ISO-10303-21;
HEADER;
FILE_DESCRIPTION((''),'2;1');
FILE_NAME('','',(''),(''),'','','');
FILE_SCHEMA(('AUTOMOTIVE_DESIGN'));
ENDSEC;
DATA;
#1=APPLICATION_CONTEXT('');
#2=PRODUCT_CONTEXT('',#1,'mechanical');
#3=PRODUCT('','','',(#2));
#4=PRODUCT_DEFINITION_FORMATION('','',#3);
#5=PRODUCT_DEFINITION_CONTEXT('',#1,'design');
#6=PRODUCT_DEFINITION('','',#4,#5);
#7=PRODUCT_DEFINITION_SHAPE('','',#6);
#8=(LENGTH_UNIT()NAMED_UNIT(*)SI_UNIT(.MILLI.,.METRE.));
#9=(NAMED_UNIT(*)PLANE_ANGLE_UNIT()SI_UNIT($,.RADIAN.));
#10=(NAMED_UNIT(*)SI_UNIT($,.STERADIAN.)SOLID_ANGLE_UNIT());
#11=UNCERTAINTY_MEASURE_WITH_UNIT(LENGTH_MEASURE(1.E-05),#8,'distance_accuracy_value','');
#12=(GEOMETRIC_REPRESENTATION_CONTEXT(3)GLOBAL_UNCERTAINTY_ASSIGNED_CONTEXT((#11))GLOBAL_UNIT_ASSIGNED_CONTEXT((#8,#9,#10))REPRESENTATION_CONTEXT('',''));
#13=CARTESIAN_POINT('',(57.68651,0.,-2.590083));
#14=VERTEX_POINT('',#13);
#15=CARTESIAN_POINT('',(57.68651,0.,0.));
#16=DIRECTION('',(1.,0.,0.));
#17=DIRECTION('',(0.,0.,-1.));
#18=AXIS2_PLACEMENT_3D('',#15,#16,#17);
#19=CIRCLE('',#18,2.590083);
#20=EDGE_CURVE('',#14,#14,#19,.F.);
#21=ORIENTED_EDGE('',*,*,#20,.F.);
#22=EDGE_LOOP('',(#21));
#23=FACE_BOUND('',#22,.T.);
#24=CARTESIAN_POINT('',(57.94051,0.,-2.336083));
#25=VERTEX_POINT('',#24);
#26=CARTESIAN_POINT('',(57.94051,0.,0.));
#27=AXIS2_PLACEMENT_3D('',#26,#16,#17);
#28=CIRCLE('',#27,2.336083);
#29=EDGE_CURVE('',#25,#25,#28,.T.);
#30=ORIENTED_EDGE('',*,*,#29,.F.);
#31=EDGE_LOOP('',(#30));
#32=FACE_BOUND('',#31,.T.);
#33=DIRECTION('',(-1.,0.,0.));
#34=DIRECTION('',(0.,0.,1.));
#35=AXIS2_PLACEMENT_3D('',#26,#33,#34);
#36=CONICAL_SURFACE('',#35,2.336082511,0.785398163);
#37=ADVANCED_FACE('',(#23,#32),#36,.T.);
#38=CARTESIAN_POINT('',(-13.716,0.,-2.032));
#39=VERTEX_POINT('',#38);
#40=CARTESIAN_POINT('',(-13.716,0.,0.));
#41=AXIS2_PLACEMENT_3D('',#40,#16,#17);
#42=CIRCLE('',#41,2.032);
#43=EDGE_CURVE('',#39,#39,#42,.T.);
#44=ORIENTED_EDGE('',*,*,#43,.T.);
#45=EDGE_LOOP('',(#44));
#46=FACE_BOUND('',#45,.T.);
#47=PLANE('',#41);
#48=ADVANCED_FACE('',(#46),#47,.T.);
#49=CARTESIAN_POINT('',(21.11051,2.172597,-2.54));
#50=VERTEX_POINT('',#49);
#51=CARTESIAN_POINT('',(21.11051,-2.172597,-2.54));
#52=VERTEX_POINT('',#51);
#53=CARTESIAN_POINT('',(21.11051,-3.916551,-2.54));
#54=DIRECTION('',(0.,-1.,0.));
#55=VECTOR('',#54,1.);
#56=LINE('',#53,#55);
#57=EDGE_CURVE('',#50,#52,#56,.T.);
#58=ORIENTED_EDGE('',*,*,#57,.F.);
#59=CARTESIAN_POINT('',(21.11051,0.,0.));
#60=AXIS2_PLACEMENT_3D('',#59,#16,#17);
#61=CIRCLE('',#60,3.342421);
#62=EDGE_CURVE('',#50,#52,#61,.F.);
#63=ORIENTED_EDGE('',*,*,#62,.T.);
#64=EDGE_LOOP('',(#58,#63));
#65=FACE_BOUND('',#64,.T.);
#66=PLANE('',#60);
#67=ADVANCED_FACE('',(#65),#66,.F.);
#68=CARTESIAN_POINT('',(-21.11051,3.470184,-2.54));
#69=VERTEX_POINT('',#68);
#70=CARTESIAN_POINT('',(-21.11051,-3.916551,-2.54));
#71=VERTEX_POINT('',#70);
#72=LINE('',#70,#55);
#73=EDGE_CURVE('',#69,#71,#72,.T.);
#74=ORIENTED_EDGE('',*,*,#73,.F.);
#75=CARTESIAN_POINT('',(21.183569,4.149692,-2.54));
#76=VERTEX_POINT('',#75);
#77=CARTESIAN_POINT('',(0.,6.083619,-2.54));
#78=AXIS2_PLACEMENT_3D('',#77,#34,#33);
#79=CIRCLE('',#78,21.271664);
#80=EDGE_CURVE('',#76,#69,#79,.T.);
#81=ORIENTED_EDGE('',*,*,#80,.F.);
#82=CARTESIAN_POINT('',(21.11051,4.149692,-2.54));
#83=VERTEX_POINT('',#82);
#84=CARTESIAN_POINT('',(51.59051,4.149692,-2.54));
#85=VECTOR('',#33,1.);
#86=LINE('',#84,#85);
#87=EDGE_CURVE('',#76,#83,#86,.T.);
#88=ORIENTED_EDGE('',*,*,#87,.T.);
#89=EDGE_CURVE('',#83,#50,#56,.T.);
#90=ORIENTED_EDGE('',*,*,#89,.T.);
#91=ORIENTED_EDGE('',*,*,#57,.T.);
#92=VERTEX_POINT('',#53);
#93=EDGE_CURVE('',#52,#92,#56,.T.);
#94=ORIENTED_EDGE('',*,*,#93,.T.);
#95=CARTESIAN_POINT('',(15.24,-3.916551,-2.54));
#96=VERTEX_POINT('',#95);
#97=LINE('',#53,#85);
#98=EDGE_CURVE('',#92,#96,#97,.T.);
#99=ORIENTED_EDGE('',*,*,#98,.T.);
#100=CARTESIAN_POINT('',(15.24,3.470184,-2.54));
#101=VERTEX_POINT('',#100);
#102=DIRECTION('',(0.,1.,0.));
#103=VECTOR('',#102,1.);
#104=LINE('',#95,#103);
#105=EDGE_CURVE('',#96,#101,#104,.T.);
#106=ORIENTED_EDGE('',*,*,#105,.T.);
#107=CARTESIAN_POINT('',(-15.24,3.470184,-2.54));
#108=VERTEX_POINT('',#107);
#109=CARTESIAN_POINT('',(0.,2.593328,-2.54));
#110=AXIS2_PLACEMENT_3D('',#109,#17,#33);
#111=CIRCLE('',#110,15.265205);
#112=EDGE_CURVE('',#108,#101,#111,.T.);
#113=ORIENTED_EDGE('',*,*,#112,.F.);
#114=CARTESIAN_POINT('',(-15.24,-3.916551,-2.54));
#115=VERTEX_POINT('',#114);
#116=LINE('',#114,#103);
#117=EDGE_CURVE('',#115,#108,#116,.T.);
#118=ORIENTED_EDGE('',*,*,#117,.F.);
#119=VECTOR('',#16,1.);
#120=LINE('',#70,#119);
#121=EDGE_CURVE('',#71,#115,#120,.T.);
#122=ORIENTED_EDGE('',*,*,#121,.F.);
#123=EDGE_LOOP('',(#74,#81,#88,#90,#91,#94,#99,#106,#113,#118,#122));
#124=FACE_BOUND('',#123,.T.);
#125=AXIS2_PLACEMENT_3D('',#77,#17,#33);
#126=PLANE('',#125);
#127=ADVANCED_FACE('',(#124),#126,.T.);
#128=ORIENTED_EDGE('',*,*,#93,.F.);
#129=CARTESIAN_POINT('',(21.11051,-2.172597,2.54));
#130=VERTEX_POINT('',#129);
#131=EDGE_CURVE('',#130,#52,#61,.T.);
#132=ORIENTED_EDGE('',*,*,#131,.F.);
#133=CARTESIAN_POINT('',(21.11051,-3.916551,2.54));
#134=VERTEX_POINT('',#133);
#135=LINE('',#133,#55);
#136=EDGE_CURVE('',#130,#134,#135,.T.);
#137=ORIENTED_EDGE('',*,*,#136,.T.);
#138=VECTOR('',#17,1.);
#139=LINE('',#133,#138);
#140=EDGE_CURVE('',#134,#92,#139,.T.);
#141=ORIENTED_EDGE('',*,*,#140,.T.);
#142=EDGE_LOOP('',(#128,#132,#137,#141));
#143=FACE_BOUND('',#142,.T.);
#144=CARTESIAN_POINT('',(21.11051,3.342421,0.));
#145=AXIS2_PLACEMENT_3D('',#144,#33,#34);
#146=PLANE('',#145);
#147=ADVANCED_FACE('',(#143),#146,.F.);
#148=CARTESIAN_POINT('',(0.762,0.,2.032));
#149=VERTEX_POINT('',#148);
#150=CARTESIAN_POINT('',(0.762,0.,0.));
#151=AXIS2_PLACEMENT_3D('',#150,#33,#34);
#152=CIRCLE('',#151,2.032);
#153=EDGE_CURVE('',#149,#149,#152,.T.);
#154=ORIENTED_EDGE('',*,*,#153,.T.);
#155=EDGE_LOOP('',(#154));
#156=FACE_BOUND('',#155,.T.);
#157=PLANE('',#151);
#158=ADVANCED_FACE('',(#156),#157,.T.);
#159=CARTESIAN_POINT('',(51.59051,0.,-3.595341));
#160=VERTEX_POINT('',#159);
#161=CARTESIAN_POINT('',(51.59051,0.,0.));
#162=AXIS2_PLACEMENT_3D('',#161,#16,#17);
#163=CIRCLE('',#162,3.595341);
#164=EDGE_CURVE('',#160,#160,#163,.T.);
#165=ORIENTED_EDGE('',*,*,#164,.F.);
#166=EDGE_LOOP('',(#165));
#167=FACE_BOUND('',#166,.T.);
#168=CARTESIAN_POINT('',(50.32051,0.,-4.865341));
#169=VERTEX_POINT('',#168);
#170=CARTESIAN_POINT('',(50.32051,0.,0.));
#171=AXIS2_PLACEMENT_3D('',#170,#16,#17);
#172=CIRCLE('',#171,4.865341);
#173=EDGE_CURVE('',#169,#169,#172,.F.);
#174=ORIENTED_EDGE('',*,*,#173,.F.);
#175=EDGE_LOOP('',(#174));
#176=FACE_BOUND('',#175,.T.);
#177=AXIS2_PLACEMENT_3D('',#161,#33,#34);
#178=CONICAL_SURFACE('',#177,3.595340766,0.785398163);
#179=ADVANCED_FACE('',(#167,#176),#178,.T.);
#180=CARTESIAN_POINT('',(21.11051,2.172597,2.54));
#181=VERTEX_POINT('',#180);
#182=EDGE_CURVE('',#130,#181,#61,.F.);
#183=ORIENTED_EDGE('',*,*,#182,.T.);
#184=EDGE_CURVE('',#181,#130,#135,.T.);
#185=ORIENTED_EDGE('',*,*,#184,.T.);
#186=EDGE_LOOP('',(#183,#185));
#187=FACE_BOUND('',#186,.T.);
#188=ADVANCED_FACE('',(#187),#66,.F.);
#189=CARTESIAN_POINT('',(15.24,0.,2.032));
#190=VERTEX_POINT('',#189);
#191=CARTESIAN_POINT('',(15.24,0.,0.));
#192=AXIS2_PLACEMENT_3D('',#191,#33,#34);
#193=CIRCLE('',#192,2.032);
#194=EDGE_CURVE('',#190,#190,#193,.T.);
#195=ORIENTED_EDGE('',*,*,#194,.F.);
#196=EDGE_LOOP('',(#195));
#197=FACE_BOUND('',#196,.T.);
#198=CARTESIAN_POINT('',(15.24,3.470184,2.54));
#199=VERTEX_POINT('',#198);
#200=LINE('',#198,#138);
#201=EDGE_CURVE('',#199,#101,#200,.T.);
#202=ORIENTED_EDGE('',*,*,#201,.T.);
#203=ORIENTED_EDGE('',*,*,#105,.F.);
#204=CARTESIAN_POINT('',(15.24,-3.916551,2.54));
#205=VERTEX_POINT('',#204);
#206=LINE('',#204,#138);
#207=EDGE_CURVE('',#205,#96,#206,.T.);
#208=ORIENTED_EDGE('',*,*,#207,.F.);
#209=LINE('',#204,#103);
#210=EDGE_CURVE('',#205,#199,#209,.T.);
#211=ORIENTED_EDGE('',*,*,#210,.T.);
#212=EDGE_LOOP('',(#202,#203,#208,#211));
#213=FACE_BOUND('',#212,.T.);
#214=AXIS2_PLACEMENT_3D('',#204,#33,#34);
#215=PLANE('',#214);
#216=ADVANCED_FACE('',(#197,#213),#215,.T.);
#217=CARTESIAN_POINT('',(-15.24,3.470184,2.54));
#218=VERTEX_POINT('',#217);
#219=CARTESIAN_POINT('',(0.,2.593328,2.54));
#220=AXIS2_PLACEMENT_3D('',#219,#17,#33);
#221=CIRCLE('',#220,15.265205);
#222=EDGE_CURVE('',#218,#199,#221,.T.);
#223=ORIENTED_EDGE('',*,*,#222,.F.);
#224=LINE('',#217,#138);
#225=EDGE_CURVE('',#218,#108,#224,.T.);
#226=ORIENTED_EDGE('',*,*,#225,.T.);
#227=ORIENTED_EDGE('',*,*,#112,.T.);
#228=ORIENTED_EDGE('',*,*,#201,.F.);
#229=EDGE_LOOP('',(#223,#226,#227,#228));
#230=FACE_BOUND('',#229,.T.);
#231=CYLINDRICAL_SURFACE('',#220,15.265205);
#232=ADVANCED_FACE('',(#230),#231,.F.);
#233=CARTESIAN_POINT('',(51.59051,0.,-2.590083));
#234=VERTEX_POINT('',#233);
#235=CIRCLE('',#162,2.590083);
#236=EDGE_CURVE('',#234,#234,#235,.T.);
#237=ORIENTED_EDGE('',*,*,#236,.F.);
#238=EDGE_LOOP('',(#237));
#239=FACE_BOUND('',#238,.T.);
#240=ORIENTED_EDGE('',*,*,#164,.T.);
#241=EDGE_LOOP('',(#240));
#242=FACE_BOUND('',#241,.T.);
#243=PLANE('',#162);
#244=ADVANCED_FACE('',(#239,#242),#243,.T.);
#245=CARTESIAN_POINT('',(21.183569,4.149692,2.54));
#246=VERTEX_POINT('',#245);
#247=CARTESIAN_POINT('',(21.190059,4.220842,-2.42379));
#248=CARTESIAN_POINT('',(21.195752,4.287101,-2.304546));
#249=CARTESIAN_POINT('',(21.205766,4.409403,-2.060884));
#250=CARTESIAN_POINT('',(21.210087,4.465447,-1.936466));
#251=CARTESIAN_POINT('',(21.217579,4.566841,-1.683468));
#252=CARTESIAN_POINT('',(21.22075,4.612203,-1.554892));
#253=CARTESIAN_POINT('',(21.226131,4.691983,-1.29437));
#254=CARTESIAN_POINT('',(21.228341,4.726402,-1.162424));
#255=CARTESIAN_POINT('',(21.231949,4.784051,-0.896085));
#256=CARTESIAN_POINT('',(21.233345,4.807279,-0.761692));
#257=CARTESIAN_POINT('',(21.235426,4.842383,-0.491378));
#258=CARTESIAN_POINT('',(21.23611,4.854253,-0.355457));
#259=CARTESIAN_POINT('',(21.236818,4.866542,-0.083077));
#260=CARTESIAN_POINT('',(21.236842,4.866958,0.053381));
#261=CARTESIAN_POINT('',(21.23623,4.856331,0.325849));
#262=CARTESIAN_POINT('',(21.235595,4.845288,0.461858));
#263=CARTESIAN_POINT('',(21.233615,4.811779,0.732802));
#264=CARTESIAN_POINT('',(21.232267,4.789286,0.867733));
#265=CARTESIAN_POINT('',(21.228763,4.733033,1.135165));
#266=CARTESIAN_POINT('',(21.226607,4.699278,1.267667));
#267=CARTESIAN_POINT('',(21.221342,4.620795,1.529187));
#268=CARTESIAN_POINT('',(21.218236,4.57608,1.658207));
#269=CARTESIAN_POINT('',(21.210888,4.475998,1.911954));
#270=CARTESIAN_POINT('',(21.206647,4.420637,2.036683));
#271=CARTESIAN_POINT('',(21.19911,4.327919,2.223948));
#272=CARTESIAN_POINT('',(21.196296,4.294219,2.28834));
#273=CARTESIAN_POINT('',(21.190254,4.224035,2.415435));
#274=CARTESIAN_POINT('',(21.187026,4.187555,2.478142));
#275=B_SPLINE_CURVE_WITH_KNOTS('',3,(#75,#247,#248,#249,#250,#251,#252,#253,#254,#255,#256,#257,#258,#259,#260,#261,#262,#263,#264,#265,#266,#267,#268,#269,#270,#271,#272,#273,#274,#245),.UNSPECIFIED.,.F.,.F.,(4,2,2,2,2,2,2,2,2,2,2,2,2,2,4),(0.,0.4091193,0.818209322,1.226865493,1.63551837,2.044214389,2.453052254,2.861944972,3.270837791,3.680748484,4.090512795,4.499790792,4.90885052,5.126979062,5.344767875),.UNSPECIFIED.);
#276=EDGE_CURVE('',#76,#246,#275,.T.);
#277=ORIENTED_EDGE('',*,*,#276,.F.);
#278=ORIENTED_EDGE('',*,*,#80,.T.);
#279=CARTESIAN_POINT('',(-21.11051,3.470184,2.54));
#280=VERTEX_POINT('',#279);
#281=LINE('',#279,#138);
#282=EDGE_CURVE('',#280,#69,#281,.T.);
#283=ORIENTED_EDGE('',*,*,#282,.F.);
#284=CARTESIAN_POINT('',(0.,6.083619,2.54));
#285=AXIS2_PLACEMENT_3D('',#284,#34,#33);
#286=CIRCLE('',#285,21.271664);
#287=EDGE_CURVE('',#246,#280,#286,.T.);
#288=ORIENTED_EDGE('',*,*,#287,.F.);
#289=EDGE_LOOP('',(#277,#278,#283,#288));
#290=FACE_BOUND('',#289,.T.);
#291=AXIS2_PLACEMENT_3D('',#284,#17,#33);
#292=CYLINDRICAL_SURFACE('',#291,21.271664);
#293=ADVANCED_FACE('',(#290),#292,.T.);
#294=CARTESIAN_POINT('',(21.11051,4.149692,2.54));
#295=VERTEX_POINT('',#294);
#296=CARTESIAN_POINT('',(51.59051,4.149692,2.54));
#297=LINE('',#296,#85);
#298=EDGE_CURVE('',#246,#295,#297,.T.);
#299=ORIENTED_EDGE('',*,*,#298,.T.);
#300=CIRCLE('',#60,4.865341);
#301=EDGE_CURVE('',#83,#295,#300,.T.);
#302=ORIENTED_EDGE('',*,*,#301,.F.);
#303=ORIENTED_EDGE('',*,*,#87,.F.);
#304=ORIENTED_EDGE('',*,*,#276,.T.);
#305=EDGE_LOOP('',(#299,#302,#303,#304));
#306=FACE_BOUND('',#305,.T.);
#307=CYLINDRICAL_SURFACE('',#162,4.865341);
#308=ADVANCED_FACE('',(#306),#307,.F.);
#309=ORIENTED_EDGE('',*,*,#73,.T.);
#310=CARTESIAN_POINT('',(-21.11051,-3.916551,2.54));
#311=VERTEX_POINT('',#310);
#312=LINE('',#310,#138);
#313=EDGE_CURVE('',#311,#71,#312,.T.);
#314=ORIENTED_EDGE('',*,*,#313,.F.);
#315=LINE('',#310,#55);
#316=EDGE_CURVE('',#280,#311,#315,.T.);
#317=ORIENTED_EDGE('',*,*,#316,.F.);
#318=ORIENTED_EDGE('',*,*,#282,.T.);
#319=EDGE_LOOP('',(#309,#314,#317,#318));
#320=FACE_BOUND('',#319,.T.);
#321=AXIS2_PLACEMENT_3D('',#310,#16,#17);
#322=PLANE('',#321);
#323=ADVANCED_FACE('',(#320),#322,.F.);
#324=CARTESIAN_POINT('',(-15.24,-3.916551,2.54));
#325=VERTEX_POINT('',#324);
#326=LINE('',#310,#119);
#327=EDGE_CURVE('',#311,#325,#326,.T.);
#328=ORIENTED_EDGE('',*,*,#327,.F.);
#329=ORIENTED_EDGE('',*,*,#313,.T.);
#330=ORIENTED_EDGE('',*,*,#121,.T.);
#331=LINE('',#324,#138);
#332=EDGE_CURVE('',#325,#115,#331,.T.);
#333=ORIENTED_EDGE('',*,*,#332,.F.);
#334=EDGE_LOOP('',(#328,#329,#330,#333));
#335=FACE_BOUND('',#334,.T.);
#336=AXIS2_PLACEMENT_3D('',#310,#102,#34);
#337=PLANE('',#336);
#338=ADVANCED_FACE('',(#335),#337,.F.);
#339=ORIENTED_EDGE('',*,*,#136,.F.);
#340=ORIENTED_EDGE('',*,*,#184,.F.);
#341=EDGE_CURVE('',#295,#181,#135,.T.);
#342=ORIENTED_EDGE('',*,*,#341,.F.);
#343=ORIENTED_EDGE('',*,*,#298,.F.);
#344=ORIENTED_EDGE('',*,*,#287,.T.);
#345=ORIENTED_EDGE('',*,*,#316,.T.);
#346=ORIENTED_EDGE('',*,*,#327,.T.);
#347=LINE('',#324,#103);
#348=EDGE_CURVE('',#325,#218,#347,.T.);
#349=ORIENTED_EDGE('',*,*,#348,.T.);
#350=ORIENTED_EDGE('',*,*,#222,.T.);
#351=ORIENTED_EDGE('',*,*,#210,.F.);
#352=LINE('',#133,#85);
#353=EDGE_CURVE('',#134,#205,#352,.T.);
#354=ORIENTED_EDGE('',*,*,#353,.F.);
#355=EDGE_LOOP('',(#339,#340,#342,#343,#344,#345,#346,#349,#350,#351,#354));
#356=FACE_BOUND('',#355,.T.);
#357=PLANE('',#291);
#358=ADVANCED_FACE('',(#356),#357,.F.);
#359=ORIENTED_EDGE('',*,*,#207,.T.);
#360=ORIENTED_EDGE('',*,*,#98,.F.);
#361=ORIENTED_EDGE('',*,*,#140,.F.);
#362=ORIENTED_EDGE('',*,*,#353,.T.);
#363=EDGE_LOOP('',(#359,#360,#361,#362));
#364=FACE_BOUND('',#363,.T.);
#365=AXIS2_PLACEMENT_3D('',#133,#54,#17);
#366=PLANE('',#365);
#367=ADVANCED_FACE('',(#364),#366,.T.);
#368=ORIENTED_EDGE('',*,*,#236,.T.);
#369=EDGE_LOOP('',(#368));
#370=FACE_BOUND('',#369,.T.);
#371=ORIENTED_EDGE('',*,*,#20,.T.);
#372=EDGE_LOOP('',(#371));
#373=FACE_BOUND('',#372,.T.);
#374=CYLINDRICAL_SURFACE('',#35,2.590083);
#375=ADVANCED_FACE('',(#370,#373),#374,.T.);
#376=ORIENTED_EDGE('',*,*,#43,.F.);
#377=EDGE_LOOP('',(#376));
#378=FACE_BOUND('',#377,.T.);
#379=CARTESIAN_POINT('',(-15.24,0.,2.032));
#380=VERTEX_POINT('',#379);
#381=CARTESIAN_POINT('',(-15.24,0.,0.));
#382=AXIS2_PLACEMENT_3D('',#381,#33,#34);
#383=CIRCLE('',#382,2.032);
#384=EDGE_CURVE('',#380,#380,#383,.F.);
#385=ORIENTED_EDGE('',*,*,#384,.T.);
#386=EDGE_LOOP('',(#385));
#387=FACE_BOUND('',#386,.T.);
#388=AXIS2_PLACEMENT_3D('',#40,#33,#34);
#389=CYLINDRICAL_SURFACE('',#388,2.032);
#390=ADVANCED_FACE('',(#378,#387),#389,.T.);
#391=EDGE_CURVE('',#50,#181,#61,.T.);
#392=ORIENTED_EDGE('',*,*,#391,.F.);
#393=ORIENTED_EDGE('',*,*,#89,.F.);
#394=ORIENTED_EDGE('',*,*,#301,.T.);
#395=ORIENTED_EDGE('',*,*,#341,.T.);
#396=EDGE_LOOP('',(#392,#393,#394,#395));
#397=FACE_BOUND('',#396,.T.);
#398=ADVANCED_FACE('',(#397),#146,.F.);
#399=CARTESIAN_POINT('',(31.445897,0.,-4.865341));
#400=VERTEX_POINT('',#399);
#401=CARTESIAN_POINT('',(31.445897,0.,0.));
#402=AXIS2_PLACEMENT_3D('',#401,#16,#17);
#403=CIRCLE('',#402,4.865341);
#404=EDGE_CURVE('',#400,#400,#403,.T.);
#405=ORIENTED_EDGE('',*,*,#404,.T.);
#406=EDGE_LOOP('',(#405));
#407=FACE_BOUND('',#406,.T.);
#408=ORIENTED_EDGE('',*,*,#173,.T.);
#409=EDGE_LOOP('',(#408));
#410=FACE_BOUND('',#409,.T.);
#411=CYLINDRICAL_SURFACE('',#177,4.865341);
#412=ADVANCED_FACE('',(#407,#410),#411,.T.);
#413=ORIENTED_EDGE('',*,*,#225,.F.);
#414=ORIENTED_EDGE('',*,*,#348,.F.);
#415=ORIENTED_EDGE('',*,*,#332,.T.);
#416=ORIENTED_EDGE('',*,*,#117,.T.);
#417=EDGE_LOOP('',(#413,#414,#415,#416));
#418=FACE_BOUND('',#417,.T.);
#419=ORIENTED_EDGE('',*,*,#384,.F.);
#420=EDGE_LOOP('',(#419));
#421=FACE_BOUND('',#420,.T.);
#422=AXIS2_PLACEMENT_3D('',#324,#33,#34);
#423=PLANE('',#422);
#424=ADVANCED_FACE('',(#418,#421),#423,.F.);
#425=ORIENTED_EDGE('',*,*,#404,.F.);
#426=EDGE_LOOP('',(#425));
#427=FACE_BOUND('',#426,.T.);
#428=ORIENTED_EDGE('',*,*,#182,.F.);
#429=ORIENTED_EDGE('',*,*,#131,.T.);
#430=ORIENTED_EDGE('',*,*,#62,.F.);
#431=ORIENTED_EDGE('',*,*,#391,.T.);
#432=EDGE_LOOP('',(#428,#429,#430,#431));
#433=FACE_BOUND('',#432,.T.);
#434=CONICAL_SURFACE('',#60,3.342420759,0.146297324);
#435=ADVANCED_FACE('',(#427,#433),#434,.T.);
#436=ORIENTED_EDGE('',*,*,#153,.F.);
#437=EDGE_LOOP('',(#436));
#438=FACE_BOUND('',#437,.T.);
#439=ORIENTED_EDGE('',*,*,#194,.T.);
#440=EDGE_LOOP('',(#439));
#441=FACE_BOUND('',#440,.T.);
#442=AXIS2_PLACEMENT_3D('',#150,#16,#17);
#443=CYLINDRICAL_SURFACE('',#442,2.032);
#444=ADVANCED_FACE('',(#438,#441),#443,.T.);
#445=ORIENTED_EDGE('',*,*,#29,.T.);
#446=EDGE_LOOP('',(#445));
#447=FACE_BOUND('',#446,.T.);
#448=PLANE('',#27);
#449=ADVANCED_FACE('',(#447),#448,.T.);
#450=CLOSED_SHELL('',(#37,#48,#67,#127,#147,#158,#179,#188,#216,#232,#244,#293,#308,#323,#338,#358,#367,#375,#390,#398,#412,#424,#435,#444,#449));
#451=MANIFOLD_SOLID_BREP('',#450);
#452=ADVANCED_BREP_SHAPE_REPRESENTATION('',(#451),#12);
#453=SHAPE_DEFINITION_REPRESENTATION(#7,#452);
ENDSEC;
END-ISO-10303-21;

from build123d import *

# Parameters (mm, degrees)
BOSS_EXTRUDE1_DEPTH = 2.54
SKETCH3_R           = 4.865340766
BOSS_EXTRUDE2_DEPTH = 30.48
CHAMFER5_SIZE       = 1.27
SKETCH5_R           = 2.590082511
BOSS_EXTRUDE3_DEPTH = 6.35
CHAMFER6_SIZE       = 0.254
SKETCH6_R           = 2.032
BOSS_EXTRUDE4_DEPTH = 1.524
SKETCH7_R           = 2.032
BOSS_EXTRUDE5_DEPTH = 14.478


with BuildPart() as part:
    # Sketch2 → Boss-Extrude1 (new body, symmetric)
    with BuildSketch(Plane.XY):
        with BuildLine():
            Line((-21.110510204, -3.916551019), (-15.24, -3.916551019))
            Line((-15.24, -3.916551019), (-15.24, 3.470183675))
            ThreePointArc((-15.24, 3.470183675), (-10.479530006, 13.693144777), (0, 17.858533009))
            Line((0, 17.858533009), (0, 27.35528296))
            ThreePointArc((0, 27.35528296), (-15.938566505, 20.170697643), (-21.110510204, 3.470183675))
            Line((-21.110510204, 3.470183675), (-21.110510204, -3.916551019))
        make_face()
    boss_extrude1 = extrude(amount=BOSS_EXTRUDE1_DEPTH, both=True)

    # Mirror1: Boss-Extrude1 across plane
    add(boss_extrude1.mirror(Plane(origin=(0, 0, 0), x_dir=(0, 0, 1), z_dir=(1, 0, 0))))

    # Sketch3 → Boss-Extrude2 (add)
    with BuildSketch(Plane(origin=(21.110510204, 0, 0), x_dir=(0, 0, -1), z_dir=(1, 0, 0))):
        Circle(SKETCH3_R)
    extrude(amount=BOSS_EXTRUDE2_DEPTH)

    # Sketch4 → Cut-Revolve1 (revolve, cut)
    with BuildSketch(Plane.XY):
        Polygon((21.110510204, 3.342420759), (21.110510204, 4.865340766), (31.445897446, 4.865340766), align=None)
    revolve(axis=Axis((51.590510204, 0, 0), (-1, 0, 0)), mode=Mode.SUBTRACT)

    # Chamfer5
    chamfer5_edges = [part.edges().sort_by_distance(p)[0] for p in [
        (51.590510204, 0, 4.865340766),
    ]]
    chamfer(chamfer5_edges, length=CHAMFER5_SIZE)

    # Sketch5 → Boss-Extrude3 (add)
    with BuildSketch(Plane(origin=(51.590510204, 0, 0), x_dir=(0, 0, -1), z_dir=(1, 0, 0))):
        Circle(SKETCH5_R)
    extrude(amount=BOSS_EXTRUDE3_DEPTH)

    # Chamfer6
    chamfer6_edges = [part.edges().sort_by_distance(p)[0] for p in [
        (57.940510204, 0, 2.590082511),
    ]]
    chamfer(chamfer6_edges, length=CHAMFER6_SIZE)

    # Sketch6 → Boss-Extrude4 (add)
    with BuildSketch(Plane(origin=(-15.24, 0, 0), x_dir=(0, 0, -1), z_dir=(1, 0, 0))):
        Circle(SKETCH6_R)
    extrude(amount=BOSS_EXTRUDE4_DEPTH)

    # Sketch7 → Boss-Extrude5 (add)
    with BuildSketch(Plane.ZY.offset(-15.24)):
        Circle(SKETCH7_R)
    extrude(amount=BOSS_EXTRUDE5_DEPTH)


solid = part.part
